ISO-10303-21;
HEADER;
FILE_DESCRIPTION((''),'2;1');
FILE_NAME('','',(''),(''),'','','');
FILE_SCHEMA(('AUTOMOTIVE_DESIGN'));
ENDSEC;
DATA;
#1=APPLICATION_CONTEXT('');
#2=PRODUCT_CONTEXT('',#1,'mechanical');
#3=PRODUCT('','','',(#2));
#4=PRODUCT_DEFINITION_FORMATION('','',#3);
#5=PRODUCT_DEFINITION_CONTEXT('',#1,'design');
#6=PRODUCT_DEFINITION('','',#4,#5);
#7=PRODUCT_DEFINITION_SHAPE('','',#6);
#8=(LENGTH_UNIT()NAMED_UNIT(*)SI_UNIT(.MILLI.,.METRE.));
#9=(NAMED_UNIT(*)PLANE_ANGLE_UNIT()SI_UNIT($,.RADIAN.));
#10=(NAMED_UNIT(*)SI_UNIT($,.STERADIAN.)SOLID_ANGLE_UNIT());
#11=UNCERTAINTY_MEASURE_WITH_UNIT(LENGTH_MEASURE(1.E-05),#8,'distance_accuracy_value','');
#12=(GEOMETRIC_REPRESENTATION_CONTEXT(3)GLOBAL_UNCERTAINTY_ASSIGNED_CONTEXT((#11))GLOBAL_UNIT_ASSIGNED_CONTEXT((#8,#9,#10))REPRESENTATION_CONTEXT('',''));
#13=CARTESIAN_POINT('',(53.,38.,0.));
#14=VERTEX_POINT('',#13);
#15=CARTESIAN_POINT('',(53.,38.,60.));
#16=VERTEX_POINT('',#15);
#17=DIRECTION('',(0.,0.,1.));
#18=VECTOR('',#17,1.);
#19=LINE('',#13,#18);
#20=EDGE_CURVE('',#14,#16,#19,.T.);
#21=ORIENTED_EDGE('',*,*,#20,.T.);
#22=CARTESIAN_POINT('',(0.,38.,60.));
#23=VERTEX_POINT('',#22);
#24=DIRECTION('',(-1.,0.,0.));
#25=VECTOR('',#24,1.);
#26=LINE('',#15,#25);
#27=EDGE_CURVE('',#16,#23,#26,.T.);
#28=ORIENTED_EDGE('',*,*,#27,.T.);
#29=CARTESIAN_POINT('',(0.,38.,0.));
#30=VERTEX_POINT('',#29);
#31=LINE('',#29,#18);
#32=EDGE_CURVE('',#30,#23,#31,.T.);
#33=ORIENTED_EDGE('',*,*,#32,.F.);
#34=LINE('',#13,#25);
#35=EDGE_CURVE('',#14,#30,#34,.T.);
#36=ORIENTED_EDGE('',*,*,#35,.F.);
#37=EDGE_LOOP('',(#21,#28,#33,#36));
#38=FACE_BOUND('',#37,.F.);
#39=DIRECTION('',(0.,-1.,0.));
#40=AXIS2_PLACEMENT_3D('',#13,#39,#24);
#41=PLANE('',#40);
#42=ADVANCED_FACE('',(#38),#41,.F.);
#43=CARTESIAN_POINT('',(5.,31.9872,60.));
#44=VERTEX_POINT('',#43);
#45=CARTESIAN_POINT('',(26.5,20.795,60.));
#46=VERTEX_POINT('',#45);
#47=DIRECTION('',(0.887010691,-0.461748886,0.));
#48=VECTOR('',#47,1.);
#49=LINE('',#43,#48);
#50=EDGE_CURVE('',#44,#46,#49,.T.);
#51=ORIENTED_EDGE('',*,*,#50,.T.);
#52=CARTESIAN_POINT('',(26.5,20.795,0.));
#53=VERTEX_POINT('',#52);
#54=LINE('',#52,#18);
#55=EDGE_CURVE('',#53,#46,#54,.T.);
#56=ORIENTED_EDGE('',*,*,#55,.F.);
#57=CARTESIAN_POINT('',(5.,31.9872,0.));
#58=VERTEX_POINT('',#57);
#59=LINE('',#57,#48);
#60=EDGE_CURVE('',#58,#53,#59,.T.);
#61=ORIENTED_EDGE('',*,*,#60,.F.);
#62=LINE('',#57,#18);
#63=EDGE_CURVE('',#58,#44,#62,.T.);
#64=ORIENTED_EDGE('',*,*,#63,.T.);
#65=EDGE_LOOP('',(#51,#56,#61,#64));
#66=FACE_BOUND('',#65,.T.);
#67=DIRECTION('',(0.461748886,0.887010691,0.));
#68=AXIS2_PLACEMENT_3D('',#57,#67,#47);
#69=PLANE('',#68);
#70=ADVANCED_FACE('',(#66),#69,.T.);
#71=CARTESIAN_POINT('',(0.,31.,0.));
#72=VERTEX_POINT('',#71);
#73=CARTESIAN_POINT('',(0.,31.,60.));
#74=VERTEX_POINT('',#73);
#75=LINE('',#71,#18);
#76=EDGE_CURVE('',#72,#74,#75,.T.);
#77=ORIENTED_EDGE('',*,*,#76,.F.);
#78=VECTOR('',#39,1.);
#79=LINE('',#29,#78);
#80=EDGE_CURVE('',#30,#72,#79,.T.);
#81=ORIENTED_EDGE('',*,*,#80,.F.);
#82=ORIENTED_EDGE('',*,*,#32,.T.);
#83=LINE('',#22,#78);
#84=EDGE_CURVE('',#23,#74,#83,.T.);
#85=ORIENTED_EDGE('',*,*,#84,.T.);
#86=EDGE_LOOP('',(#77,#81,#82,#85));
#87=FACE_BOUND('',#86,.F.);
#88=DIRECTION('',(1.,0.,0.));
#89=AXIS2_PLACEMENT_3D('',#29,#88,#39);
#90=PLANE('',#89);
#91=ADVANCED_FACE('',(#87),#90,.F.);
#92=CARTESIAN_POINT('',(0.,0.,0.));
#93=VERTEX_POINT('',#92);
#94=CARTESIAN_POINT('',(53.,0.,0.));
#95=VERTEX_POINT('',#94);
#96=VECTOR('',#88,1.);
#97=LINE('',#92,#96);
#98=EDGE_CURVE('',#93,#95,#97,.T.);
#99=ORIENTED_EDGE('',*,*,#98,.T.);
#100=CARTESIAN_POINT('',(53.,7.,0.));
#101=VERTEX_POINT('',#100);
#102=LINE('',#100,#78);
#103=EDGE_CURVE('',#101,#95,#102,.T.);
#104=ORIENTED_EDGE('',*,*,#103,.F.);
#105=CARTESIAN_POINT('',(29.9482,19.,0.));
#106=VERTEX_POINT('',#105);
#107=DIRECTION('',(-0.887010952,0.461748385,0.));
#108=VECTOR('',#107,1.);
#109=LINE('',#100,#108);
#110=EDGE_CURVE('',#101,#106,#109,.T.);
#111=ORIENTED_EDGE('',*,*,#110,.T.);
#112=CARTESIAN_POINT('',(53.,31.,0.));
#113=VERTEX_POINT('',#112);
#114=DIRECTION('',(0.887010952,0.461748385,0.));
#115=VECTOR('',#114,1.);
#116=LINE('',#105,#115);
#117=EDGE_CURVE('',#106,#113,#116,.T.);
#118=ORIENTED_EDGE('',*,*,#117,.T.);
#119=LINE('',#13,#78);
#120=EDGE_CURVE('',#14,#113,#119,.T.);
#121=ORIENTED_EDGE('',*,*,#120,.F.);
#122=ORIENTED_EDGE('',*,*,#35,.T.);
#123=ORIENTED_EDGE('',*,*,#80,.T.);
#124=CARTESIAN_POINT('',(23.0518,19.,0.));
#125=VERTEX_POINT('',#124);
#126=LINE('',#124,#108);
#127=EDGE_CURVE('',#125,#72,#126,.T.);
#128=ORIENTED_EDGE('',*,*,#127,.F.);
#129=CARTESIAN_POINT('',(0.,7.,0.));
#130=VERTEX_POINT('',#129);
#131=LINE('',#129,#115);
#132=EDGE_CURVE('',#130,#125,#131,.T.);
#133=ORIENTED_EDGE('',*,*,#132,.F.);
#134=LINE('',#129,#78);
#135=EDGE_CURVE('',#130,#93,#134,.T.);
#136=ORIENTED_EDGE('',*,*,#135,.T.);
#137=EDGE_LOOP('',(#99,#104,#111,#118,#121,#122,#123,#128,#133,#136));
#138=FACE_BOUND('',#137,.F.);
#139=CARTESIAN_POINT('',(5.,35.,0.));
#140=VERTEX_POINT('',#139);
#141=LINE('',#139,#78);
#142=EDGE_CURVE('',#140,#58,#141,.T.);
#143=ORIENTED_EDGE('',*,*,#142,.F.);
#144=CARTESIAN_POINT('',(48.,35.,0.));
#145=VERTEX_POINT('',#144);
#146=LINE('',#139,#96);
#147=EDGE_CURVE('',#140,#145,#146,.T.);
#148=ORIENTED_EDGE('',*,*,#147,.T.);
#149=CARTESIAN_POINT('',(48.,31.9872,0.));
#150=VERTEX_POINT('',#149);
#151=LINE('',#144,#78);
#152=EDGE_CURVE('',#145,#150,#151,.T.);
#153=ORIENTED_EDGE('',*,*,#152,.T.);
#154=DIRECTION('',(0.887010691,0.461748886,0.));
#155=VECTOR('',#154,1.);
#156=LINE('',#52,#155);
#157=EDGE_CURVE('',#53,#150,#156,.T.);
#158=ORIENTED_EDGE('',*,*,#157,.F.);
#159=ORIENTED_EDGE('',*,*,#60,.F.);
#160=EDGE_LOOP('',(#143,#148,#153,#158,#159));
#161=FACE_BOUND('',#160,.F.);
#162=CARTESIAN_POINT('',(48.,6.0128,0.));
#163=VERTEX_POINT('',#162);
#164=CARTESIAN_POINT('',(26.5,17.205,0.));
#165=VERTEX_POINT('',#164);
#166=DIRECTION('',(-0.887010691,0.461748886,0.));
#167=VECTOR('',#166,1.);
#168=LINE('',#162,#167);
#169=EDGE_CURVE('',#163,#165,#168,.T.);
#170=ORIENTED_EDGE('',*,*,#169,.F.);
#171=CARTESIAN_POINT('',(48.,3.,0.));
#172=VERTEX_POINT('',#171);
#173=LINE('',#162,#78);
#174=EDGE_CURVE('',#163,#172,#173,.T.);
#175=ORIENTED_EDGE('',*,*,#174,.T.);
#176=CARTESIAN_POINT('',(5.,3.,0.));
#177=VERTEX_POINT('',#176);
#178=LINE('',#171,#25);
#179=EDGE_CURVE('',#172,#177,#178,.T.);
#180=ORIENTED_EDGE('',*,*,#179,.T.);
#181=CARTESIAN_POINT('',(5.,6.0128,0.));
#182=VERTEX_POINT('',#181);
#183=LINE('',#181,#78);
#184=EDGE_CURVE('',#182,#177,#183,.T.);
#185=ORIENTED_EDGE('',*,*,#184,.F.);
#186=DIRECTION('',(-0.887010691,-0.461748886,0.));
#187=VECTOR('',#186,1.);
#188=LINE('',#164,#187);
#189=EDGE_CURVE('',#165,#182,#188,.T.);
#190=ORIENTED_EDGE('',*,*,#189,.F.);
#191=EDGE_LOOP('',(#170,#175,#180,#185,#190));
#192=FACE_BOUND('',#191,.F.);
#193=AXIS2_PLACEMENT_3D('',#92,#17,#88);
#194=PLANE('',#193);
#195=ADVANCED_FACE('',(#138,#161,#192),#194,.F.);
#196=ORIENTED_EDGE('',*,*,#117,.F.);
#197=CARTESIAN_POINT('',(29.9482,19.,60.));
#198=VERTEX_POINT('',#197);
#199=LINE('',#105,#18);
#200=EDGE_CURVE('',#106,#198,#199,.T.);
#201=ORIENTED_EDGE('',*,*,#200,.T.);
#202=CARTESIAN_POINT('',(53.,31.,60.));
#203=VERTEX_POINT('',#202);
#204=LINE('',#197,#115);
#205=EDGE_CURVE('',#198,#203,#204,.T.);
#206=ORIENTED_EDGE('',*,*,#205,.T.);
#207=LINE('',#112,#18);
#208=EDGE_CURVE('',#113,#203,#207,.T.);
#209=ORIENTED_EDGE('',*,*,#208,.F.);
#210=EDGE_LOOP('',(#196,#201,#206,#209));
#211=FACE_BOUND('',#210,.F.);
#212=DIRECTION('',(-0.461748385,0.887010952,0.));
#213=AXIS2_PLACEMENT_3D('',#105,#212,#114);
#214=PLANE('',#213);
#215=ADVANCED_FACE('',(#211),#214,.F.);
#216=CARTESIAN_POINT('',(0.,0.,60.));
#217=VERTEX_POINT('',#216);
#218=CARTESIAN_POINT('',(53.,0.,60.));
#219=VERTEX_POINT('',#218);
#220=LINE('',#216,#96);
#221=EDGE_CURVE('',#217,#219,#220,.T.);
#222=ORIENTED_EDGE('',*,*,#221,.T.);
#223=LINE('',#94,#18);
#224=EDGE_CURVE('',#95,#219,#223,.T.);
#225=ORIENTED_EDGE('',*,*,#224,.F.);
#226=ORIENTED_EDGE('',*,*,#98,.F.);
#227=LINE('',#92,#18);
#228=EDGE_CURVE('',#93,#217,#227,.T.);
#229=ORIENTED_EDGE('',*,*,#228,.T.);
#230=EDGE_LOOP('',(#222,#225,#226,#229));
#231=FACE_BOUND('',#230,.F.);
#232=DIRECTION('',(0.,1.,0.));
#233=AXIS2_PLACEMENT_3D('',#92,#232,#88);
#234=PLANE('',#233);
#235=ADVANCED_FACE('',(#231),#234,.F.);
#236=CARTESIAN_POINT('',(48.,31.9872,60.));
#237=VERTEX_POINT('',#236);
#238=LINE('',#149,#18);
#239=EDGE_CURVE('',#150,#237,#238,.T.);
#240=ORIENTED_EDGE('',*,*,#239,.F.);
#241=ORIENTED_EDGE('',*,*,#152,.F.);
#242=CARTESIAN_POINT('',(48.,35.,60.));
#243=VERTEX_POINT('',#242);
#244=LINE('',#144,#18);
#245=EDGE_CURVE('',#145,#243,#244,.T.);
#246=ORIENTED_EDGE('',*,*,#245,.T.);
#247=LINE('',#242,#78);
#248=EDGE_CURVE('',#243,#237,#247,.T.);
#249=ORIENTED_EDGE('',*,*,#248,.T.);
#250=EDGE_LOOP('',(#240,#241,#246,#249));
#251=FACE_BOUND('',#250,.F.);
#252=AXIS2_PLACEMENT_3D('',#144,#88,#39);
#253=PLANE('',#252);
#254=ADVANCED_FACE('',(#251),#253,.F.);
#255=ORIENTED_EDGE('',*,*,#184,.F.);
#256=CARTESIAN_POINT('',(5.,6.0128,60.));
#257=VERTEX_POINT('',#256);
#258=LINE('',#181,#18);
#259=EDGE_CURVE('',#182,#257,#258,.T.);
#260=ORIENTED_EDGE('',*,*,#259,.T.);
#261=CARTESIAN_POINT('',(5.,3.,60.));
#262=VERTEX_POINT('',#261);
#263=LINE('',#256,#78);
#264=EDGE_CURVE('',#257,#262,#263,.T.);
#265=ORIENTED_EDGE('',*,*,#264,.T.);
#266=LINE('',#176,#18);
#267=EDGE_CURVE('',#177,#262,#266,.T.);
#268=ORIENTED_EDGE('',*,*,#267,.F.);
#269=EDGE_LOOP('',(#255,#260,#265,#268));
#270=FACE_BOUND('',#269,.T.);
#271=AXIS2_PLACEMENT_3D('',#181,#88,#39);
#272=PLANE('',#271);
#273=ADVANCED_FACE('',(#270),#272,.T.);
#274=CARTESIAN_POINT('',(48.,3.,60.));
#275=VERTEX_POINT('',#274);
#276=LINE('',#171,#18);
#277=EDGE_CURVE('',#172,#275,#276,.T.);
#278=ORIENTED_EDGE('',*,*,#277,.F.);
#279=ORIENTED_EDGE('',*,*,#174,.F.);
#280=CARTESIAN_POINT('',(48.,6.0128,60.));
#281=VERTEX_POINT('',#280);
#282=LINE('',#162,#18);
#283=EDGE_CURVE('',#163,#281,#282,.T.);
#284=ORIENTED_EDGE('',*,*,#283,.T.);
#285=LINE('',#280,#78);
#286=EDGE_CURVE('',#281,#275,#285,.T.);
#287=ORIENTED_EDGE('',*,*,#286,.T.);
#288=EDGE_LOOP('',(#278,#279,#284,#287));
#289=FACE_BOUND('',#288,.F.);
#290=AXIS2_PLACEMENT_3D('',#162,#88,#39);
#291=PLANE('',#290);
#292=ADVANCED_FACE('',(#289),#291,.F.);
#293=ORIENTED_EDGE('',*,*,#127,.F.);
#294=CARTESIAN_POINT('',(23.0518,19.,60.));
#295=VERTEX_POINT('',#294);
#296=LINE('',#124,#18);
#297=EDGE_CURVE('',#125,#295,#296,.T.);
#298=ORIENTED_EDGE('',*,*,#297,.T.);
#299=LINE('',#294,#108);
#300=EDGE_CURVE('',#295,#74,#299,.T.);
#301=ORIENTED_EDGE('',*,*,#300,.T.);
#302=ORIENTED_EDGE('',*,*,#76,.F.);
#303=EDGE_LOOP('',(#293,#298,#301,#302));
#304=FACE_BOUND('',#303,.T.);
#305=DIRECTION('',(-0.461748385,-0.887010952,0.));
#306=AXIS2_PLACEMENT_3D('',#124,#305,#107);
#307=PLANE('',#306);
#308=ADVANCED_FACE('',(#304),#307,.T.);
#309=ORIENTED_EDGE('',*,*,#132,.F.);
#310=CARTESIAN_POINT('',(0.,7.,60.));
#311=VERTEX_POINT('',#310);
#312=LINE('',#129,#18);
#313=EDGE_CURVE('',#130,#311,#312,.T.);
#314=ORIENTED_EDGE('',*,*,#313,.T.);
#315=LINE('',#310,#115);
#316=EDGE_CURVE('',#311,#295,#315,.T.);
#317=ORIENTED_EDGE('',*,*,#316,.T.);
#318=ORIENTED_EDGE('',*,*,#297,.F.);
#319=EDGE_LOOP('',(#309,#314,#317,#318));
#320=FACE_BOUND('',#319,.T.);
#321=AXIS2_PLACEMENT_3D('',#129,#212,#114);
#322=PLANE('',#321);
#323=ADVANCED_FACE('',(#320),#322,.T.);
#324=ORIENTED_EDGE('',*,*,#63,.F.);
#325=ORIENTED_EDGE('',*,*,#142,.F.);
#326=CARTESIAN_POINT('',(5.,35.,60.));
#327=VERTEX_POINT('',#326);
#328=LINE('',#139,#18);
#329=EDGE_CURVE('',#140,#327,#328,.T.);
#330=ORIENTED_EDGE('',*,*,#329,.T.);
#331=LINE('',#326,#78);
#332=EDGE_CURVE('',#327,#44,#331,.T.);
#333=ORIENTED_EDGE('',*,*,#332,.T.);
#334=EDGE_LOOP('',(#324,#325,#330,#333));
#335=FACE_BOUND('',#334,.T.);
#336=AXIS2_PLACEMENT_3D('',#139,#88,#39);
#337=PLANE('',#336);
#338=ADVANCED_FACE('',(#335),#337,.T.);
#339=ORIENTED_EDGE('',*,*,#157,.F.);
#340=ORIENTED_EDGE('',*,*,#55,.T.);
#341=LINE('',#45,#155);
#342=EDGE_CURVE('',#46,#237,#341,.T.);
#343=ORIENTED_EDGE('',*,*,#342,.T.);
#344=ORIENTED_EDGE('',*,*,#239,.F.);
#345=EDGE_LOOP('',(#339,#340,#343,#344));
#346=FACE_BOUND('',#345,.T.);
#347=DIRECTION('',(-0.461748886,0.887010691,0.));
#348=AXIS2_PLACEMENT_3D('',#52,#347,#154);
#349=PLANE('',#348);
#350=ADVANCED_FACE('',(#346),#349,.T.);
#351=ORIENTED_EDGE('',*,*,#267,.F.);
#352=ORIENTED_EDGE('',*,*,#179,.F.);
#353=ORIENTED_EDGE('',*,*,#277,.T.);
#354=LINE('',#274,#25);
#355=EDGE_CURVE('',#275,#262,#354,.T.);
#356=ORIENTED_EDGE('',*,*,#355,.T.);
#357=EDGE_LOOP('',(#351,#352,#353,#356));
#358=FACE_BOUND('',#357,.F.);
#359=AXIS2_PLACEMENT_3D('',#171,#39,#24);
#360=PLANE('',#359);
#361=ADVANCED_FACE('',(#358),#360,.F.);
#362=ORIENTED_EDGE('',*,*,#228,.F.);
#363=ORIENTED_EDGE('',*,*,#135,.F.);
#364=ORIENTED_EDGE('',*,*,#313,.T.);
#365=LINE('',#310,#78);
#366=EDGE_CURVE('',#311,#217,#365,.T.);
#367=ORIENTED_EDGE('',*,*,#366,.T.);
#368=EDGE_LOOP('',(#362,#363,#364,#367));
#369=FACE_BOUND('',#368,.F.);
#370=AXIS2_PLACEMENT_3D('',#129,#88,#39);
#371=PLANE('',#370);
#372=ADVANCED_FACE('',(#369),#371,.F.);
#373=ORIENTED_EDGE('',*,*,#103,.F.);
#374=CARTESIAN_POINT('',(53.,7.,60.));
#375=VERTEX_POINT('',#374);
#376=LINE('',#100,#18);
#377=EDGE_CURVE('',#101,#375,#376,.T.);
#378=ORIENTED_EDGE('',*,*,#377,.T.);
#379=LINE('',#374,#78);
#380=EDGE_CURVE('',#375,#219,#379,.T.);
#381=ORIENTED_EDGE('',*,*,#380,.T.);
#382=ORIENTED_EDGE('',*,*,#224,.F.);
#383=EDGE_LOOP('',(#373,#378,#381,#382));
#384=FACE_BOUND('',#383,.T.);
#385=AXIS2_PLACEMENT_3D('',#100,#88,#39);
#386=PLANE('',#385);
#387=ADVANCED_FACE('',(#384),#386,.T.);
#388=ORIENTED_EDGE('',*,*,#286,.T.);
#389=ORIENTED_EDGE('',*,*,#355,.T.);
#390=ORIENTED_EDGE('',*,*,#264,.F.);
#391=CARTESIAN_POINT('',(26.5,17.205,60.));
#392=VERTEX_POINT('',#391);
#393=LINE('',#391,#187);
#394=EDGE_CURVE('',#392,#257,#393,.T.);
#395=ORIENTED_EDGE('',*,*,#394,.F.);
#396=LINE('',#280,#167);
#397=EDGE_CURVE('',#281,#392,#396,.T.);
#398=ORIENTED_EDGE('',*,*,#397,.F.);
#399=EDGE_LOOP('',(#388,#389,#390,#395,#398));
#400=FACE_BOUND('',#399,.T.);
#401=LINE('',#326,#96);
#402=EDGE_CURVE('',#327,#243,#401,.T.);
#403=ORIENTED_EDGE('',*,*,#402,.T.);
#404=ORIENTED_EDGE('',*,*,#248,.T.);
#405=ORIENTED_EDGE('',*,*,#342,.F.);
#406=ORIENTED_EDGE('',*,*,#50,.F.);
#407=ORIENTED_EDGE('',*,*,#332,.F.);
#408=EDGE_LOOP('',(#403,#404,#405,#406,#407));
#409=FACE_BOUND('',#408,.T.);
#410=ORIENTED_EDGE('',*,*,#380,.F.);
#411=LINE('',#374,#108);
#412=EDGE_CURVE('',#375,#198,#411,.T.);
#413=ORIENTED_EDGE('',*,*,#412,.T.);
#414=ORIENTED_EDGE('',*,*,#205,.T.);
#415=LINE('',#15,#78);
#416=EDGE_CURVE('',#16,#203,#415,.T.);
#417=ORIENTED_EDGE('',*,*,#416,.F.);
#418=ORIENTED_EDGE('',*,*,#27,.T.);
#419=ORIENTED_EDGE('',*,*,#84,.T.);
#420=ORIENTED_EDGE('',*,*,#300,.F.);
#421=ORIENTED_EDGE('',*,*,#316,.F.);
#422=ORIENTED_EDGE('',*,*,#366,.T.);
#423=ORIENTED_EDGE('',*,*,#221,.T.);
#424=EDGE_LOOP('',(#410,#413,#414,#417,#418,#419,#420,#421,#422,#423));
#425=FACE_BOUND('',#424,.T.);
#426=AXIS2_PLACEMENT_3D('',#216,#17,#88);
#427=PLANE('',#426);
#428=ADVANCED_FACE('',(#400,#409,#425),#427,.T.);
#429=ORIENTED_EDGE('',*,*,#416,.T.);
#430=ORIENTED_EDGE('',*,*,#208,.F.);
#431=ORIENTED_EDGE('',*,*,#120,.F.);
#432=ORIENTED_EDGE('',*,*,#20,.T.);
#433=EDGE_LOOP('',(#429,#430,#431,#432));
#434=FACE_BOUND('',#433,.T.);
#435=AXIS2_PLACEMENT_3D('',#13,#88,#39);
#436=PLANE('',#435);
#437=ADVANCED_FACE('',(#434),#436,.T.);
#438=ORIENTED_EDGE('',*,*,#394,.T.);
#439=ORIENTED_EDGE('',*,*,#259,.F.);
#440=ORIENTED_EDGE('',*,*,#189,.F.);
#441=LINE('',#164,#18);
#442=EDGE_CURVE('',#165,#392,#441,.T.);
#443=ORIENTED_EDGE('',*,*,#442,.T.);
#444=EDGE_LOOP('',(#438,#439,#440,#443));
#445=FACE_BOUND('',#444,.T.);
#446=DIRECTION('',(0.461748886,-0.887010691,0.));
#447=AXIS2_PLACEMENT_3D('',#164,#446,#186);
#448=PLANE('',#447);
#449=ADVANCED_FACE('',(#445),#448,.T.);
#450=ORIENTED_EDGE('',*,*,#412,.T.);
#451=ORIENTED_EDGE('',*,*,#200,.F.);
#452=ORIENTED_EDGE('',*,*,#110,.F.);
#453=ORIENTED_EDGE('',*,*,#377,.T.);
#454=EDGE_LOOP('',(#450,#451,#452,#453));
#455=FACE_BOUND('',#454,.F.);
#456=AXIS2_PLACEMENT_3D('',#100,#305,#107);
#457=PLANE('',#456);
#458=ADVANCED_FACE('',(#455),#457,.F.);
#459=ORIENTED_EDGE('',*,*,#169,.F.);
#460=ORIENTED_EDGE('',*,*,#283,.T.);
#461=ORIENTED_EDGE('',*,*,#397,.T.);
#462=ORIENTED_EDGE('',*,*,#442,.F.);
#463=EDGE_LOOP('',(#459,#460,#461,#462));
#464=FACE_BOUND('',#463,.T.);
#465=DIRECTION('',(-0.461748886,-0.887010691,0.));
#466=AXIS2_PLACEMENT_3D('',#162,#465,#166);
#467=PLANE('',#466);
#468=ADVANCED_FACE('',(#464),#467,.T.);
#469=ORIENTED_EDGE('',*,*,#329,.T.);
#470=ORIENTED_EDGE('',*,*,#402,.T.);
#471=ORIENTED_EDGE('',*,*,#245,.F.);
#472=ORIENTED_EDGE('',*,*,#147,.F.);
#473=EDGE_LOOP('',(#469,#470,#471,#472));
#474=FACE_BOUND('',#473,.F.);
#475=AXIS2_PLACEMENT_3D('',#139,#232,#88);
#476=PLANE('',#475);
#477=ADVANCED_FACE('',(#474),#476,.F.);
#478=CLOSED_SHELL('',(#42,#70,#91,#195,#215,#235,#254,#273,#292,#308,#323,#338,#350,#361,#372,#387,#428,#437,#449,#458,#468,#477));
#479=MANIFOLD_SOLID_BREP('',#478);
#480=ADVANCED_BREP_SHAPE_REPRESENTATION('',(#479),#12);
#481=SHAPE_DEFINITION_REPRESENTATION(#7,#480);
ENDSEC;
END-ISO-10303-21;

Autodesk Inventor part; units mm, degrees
ref_plane "YZ Plane" through (0, 0, 0) normal (1, 0, 0) x (0, 1, 0)
ref_plane "XZ Plane" through (0, 0, 0) normal (0, 1, 0) x (-1, 0, 0)
ref_plane "XY Plane" through (0, 0, 0) normal (0, 0, 1) x (1, 0, 0)
sketch "Sketch1" plane through (0, 0, 0) normal (0, 0, 1) x (1, 0, 0)
  line L0 (0, 0) -> (53, 0)
  line L1 (53, 0) -> (53, 38) construction
  line L2 (53, 38) -> (0, 38)
  line L3 (0, 38) -> (0, 0) construction
  line L4 (5, 35) -> (48, 35)
  line L5 (48, 3) -> (5, 3)
  line L6 (53, 7) -> (0, 7) construction
  line L7 (0, 31) -> (53, 31) construction
  line L8 (5, 38) -> (5, 0) construction
  line L9 (48, 38) -> (48, 0) construction
  line L10 (0, 31) -> (53, 31) construction
  line L11 (0, 31) -> (53, 31) construction
  line L12 (0, 31) -> (54.1143, 31) construction
  line L13 (53, 7) -> (107.1143, 7) construction
  line L14 (0, 31) -> (53.8717, 31) construction
  line L15 (53, 7) -> (106.8717, 7) construction
  line L16 (0, 31) -> (48, 6.0128) construction
  line L17 (0, 31) -> (54.1143, 31) construction
  line L18 (53, 7) -> (5, 31.9872) construction
  line L19 (53, 7) -> (107.1143, 7) construction
  line L20 (53, 38) -> (53, 31)
  line L21 (0, 38) -> (0, 31)
  line L22 (0, 7) -> (0, 0)
  line L23 (53, 7) -> (53, 0)
  line L24 (0, 7) -> (48, 31.9872) construction
  line L25 (0, 7) -> (54.1143, 7) construction
  line L26 (53, 31) -> (5, 6.0128) construction
  line L27 (53, 31) -> (107.1143, 31) construction
  line L28 (5, 35) -> (5, 31.9872)
  line L29 (48, 35) -> (48, 31.9872)
  line L30 (5, 6.0128) -> (5, 3)
  line L31 (48, 6.0128) -> (48, 3)
  line L32 (5, 31.9872) -> (26.5, 20.795)
  line L33 (48, 6.0128) -> (26.5, 17.205)
  line L34 (23.0518, 19) -> (0, 31)
  line L35 (0, 7) -> (23.0518, 19)
  line L36 (26.5, 20.795) -> (48, 31.9872)
  line L37 (26.5, 17.205) -> (5, 6.0128)
  line L38 (29.9482, 19) -> (53, 31)
  line L39 (53, 7) -> (29.9482, 19)
  dimension "d12" = 53
  dimension "d13" = 38
  dimension "d14" = 3
  dimension "d15" = 3
  dimension "d16" = 4
  dimension "d17" = 4
  dimension "d18" = 5
  dimension "d19" = 5
  dimension "d27" = 27.5
  dimension "d28" = 152.5
  dimension "d29" = 27.5
  dimension "d30" = 152.5
extrude "Extrusion1" add sketch "Sketch1" along normal blind 60
sketch "Sketch2" plane through (53, 0, 0) normal (1, 0, 0) x (0, 0, -1)
  circle A0 centre (-55, 5) radius 1.35
  circle A1 centre (-30, 5) radius 1.35
  circle A2 centre (-5, 5) radius 1.35
  circle A3 centre (-36.465, 33) radius 1.35
  circle A4 centre (-11.465, 33) radius 1.35
  point P0 (0, 0)
  dimension "d33" = 2.7
  dimension "d34" = 2.7
  dimension "d35" = 2.7
  dimension "d36" = 2.7
  dimension "d37" = 2.7
properties part number "legspacer_paula_v2"
